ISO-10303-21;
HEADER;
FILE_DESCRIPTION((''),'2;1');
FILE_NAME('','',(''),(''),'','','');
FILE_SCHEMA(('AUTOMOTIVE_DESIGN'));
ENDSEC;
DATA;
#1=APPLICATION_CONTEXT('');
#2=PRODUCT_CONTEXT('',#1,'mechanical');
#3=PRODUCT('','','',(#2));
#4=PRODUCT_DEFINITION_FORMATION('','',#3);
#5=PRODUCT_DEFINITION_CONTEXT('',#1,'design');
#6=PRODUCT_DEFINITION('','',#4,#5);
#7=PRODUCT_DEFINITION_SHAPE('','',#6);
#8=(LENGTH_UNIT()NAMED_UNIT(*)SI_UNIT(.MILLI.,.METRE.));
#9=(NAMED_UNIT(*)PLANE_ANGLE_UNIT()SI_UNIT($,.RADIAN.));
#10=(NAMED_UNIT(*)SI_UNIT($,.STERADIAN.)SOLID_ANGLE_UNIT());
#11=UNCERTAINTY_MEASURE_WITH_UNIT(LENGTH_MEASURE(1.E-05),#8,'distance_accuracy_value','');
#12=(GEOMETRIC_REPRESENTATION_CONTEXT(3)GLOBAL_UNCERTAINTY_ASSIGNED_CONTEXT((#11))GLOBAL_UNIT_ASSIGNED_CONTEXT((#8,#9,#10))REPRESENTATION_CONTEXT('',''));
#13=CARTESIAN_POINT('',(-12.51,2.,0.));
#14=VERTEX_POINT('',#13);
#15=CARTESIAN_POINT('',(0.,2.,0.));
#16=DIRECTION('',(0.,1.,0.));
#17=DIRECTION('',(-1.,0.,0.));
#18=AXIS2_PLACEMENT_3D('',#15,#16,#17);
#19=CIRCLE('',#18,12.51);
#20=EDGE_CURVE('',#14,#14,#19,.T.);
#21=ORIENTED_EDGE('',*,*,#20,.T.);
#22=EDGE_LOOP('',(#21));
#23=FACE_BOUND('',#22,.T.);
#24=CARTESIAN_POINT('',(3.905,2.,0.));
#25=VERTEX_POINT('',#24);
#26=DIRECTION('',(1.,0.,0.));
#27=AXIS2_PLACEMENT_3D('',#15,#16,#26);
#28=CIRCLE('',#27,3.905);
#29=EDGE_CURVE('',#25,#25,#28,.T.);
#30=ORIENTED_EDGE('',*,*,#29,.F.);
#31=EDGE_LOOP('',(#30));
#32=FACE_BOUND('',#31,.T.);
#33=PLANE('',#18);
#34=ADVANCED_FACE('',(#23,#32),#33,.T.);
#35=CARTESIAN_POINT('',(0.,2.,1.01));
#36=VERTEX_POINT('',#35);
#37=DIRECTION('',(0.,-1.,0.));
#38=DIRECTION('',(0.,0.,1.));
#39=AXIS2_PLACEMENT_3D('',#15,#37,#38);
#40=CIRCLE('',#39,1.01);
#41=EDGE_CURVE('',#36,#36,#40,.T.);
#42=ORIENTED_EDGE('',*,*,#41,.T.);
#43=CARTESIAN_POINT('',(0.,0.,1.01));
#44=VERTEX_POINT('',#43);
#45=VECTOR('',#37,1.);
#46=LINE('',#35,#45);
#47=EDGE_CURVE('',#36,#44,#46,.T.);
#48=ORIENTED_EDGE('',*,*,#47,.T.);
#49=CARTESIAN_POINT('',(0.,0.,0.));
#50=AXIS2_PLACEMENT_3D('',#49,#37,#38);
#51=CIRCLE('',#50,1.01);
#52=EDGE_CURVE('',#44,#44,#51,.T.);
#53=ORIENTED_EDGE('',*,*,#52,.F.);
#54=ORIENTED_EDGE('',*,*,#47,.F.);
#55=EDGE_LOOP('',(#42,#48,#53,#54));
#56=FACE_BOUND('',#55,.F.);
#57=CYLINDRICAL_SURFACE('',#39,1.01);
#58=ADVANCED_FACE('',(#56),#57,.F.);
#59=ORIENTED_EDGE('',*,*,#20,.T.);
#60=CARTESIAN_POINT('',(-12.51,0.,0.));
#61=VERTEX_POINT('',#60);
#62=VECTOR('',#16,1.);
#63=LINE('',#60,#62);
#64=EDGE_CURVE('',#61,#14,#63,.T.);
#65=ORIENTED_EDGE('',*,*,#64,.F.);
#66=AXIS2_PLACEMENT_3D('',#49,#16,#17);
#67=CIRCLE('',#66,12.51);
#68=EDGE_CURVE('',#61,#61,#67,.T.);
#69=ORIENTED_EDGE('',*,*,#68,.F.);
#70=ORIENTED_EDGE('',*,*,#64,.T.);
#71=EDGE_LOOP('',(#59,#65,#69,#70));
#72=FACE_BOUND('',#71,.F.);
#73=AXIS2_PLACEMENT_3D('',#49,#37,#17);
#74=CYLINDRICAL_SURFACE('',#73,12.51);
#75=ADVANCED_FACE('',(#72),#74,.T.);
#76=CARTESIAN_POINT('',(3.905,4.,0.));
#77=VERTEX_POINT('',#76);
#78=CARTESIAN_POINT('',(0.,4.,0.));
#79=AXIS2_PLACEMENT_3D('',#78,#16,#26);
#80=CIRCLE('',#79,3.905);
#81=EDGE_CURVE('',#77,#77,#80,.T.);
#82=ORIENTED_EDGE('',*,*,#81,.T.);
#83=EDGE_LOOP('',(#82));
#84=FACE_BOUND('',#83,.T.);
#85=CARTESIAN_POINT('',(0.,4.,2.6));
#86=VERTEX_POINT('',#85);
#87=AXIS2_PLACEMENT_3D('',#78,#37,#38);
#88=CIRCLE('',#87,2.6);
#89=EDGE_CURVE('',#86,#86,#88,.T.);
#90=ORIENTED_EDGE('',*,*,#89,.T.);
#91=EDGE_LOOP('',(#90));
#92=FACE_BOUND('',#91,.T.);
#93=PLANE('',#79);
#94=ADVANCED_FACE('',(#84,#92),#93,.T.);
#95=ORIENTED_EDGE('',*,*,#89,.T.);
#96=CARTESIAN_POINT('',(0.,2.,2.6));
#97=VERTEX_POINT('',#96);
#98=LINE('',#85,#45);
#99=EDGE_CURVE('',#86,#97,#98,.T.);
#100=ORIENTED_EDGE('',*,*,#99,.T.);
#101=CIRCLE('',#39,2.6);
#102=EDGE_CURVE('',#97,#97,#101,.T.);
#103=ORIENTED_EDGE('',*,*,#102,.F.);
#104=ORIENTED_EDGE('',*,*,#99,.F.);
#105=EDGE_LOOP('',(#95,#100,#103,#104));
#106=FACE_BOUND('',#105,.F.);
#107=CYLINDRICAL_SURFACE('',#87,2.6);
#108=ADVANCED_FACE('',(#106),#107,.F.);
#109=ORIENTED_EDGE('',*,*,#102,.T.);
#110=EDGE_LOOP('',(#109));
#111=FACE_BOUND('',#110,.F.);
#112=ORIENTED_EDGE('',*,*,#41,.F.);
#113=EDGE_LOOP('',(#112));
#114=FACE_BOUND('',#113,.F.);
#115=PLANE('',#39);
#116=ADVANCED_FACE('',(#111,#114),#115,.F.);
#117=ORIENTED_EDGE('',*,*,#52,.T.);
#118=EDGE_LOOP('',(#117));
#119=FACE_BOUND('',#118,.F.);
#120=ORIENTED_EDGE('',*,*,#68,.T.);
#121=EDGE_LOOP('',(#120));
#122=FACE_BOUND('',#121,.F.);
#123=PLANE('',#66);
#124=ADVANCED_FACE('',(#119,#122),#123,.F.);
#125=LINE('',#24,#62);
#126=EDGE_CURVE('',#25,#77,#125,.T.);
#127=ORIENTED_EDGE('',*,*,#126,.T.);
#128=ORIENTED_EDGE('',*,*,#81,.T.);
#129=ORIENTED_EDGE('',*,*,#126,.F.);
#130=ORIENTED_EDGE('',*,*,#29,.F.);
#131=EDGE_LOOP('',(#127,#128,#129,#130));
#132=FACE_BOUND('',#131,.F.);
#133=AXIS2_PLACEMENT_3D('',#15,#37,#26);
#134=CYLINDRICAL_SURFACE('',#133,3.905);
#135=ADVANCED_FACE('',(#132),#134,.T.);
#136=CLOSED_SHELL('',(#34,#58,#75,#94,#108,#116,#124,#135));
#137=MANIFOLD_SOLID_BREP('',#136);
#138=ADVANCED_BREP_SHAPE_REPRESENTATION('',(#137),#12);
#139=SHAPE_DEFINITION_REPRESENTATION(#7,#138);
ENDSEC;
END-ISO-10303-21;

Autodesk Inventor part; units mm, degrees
ref_plane "YZ Plane" through (0, 0, 0) normal (1, 0, 0) x (0, 1, 0)
ref_plane "XZ Plane" through (0, 0, 0) normal (0, 1, 0) x (-1, 0, 0)
ref_plane "XY Plane" through (0, 0, 0) normal (0, 0, 1) x (1, 0, 0)
sketch "Boceto1" plane through (0, 0, 0) normal (0, 1, 0) x (-1, 0, 0)
  circle A0 centre (0, 0) radius 12.51
  dimension "d0" = 25.02
extrude "Extrusión1" add sketch "Boceto1" along normal blind 2
sketch "Boceto2" plane through (0, 2, 0) normal (0, 1, 0) x (1, 0, 0)
  circle A0 centre (0, 0) radius 12.51 projected
  circle A1 centre (0, 0) radius 3.905
  dimension "d3" = 7.81
extrude "Extrusión2" add sketch "Boceto2" along normal blind 2 contours A1
hole "Hole1" at (0, 4, 0) direction (0, -1, 0) diameter 5.2 depth 2
hole "Hole2" at (0, 2, 0) direction (0, -1, 0) diameter 2.02 end through all
properties part number "TapaFrontal"
